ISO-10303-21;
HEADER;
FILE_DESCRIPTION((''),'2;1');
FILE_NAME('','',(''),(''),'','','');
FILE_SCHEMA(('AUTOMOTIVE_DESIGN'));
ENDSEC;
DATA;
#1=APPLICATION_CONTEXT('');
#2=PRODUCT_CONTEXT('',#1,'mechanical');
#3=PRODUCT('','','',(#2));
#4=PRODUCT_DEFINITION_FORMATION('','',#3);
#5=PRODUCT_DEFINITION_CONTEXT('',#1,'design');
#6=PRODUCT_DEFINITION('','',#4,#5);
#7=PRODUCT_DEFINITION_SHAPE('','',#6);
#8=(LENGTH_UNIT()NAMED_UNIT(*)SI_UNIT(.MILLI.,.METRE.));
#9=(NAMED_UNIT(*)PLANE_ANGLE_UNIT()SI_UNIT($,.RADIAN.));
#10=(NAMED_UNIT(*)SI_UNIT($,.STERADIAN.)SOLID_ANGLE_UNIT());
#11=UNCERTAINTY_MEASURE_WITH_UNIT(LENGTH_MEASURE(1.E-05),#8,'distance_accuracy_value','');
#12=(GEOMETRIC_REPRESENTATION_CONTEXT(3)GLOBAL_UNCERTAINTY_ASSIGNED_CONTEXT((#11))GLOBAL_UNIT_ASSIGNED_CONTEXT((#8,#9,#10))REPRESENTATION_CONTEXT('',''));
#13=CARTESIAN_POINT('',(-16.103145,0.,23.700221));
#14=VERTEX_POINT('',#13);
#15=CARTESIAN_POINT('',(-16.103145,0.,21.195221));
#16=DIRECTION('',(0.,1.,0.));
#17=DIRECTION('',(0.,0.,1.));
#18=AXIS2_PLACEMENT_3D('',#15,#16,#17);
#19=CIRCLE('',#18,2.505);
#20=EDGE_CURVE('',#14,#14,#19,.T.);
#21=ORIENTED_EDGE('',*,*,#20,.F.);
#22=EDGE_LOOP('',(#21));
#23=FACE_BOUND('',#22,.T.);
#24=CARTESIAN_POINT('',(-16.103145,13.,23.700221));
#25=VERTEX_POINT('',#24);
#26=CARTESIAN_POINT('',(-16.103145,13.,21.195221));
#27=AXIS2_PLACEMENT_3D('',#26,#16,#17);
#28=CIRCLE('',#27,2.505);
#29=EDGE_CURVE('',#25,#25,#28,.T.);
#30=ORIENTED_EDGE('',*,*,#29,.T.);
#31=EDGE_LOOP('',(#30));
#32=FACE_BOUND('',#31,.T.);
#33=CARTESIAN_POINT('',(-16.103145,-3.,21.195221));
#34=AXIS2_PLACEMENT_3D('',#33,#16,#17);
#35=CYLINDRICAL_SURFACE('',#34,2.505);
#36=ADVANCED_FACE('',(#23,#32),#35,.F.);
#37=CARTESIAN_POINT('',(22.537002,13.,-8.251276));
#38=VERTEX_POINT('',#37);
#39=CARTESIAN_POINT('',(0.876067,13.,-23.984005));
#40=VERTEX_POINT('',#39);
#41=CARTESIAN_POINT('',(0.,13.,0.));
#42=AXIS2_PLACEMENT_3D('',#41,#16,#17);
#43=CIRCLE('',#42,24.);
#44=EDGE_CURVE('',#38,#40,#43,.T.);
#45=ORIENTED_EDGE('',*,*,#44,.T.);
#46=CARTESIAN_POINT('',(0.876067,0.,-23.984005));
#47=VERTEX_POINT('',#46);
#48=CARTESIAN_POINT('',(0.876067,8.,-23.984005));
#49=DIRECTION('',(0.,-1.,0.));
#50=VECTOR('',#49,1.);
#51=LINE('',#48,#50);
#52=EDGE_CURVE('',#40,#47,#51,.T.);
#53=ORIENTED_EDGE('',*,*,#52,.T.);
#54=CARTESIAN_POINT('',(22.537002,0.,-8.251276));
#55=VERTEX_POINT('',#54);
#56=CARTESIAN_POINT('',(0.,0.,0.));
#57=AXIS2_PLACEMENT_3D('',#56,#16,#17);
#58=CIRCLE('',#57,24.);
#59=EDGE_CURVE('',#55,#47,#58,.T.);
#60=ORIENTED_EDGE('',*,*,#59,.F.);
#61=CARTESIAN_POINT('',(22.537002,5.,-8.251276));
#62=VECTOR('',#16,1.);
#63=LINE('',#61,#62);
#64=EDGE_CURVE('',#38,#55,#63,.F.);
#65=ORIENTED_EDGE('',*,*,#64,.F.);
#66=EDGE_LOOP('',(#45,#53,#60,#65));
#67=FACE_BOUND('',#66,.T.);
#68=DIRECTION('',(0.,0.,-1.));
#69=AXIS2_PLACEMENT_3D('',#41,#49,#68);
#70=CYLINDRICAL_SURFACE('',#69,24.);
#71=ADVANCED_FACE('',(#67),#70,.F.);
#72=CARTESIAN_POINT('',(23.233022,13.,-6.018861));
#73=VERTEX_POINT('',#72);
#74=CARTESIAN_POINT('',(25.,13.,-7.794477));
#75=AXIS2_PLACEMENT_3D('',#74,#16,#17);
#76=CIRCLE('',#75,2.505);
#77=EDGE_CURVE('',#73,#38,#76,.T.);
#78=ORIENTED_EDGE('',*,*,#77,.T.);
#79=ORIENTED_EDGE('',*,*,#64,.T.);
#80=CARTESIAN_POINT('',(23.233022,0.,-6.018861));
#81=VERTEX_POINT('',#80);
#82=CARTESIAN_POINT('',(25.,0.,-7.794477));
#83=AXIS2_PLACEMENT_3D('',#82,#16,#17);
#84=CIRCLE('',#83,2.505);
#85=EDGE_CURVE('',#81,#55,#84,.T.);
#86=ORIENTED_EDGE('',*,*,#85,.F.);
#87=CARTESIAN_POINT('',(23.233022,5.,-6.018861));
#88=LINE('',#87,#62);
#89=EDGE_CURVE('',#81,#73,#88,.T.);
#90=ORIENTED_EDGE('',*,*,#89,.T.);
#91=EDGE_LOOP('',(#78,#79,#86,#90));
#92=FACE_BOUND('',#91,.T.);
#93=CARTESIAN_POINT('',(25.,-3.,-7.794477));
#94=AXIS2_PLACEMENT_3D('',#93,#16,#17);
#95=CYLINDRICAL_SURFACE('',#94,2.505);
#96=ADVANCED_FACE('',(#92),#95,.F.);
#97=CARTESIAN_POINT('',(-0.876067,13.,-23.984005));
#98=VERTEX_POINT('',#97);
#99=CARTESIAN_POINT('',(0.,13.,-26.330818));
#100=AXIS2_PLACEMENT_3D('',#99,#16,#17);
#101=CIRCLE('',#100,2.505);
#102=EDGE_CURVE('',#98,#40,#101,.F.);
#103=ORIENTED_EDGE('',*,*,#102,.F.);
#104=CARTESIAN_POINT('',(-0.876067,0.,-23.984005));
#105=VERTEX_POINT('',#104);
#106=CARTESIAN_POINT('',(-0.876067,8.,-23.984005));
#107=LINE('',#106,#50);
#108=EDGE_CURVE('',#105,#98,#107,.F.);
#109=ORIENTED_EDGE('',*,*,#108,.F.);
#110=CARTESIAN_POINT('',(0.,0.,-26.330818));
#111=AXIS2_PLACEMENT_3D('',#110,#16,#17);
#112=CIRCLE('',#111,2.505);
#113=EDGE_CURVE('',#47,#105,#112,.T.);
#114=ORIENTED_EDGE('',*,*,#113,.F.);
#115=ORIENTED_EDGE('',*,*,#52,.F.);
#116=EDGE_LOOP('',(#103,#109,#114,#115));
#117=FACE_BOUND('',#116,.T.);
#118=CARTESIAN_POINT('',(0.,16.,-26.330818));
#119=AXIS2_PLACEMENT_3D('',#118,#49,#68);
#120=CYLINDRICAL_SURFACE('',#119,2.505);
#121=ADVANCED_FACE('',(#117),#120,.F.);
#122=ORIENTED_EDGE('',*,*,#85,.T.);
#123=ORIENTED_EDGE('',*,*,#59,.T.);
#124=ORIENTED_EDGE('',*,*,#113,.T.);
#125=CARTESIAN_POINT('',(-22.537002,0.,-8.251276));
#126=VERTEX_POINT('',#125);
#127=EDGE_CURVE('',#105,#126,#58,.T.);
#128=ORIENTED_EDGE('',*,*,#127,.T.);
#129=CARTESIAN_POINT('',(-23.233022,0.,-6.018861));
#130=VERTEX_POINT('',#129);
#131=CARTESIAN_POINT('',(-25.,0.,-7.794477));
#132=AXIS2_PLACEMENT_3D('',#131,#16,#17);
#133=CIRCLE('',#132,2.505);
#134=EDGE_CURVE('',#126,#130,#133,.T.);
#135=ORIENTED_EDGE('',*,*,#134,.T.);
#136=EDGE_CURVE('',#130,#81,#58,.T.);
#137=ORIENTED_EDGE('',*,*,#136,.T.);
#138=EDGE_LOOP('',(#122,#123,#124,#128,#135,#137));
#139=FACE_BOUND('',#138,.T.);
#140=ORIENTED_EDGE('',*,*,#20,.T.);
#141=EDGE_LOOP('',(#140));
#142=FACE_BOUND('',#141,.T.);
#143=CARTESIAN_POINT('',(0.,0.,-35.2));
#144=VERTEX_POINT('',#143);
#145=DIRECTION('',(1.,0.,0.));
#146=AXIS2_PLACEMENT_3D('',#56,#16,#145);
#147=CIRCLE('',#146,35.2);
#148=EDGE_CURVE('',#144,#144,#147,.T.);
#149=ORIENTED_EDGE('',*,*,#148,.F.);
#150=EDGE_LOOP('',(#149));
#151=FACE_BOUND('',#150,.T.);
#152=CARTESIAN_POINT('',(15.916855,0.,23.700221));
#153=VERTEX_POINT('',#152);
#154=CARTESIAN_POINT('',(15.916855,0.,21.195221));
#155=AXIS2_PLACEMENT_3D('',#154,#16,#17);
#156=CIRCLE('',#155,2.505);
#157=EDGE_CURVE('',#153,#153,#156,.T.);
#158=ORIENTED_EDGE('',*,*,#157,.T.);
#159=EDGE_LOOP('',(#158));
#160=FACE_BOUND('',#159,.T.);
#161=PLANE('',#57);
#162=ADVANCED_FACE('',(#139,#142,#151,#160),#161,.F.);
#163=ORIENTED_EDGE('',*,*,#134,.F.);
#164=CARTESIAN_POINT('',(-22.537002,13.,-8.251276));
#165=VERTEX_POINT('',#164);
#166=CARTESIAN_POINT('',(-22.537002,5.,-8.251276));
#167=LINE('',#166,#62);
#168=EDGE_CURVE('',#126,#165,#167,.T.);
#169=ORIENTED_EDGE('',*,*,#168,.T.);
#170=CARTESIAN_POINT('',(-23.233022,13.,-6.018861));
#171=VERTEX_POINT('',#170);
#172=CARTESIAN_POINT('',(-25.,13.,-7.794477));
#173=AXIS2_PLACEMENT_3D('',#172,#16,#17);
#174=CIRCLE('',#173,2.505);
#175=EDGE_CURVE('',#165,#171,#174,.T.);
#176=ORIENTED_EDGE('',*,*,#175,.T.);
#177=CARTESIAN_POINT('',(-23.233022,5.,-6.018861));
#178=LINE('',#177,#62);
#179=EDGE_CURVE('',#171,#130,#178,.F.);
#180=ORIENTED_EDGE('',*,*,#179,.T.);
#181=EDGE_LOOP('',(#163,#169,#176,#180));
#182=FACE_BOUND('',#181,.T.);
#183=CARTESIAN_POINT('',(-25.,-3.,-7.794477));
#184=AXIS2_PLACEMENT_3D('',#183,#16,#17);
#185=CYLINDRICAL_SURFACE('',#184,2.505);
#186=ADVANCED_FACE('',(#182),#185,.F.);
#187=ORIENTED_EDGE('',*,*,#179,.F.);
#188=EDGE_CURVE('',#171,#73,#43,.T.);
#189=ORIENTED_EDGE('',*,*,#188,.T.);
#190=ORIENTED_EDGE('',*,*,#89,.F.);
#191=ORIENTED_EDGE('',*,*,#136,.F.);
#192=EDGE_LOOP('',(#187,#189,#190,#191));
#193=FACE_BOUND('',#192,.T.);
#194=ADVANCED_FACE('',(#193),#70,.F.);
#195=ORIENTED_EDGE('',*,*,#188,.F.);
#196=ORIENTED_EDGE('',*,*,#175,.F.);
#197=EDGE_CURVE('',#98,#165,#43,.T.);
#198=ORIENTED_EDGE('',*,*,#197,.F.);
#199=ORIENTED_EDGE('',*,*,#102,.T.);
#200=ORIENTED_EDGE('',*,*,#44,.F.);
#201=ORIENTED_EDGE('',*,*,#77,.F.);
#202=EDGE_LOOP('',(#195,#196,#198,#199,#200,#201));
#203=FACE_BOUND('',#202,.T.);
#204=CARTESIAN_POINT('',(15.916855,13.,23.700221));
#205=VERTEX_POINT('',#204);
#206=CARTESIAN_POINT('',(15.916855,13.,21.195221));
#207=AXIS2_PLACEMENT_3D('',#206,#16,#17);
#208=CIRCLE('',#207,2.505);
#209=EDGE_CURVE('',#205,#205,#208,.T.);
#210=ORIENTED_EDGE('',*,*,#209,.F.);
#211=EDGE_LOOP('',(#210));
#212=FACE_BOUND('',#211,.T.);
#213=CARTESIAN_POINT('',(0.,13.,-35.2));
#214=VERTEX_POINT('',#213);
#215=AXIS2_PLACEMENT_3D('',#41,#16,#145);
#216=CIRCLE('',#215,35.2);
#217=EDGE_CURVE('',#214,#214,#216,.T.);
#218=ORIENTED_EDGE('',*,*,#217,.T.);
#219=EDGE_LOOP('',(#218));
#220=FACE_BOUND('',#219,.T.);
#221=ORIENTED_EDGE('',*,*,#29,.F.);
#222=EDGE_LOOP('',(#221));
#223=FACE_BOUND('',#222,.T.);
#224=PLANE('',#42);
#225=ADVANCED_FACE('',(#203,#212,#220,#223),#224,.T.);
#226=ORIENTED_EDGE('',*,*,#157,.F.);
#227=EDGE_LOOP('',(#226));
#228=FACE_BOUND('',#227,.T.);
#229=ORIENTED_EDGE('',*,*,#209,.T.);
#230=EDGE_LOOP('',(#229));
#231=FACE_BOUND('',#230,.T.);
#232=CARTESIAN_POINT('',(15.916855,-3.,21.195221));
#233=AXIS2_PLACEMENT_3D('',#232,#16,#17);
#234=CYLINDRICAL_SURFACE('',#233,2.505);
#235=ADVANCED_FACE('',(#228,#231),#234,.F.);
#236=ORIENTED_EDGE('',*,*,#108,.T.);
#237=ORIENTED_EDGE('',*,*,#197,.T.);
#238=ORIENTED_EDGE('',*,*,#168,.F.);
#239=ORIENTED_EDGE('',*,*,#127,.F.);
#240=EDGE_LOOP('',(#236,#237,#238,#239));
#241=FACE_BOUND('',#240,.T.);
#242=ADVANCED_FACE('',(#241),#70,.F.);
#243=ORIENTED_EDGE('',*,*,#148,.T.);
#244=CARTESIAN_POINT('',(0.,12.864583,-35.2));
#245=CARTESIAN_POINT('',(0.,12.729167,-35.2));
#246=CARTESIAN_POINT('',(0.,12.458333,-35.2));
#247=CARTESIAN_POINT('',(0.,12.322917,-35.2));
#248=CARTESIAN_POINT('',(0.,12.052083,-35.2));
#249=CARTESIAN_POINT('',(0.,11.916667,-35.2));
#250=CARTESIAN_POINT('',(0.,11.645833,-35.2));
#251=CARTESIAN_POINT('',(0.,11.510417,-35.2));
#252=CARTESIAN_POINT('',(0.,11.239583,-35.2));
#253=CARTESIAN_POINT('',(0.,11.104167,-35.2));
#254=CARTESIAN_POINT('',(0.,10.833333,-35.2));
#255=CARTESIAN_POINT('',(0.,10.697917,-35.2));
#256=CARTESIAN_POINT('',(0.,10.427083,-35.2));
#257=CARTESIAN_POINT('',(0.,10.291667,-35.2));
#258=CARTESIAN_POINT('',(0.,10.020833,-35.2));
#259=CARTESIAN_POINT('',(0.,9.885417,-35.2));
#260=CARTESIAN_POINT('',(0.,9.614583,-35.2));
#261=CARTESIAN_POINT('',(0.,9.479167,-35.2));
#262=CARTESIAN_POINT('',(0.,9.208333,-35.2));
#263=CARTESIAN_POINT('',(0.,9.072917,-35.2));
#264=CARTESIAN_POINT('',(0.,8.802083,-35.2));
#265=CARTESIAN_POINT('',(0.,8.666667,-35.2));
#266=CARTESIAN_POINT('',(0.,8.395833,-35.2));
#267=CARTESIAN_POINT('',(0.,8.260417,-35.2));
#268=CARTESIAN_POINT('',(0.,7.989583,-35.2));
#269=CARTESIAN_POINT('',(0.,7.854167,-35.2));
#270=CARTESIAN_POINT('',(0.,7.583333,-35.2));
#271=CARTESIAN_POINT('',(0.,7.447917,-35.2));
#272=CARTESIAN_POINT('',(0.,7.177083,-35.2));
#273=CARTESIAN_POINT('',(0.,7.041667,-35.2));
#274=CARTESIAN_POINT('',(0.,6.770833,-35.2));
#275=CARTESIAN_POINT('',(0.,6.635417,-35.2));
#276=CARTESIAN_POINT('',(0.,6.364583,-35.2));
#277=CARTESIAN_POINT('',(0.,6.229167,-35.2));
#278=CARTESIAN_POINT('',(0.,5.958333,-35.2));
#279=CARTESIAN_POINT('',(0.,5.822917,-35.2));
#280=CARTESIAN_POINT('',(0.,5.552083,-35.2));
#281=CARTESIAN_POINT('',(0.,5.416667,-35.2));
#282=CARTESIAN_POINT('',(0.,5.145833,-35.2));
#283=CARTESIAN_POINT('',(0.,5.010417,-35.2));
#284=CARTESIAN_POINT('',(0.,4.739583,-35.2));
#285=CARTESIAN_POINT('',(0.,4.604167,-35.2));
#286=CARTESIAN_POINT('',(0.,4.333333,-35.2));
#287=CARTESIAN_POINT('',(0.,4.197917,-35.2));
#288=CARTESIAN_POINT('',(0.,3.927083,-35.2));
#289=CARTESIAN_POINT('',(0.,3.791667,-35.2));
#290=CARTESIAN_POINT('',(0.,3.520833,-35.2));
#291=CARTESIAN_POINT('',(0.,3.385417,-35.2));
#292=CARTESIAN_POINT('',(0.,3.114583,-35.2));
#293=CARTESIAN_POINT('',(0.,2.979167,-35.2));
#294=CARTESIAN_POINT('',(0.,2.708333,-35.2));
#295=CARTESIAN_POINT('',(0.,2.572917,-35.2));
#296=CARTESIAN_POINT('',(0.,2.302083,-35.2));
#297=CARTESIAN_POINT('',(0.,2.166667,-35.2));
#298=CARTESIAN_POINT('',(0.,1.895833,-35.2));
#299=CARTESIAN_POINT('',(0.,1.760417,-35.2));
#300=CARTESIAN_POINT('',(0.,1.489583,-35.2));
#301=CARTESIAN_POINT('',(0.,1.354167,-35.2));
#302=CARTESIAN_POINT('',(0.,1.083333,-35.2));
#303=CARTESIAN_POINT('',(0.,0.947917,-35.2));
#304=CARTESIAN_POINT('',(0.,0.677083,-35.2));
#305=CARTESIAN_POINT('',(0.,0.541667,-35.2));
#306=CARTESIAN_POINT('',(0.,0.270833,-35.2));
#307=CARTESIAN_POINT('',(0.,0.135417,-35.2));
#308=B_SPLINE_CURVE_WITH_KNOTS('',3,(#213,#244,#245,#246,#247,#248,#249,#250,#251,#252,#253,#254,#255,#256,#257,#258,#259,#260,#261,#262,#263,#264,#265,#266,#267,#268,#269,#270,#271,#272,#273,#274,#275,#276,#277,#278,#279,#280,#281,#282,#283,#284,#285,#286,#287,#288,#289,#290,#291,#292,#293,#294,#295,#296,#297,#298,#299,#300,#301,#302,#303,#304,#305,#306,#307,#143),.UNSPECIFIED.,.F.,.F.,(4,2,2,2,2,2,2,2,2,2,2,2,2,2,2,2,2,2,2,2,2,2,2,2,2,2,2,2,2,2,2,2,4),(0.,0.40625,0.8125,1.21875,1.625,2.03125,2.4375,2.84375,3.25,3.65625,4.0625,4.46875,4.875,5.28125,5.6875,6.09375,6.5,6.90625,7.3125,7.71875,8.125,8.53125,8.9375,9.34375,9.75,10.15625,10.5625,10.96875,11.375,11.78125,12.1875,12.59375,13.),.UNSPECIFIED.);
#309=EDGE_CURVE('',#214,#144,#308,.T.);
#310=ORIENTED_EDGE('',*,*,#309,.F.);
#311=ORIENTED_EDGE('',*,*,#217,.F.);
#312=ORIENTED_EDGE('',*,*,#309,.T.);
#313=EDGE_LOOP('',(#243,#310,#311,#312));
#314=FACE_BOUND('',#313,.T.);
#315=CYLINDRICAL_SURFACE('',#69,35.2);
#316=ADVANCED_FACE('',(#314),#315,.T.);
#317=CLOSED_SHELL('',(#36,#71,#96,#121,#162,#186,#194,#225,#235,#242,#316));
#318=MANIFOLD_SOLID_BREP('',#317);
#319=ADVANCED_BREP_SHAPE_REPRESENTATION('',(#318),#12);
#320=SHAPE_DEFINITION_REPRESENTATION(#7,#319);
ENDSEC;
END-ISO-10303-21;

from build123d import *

# Parameters (mm, degrees)
SKETCH_1_R          = 35.2
SKETCH_1_R_2        = 24
EXTRUDE_1_DEPTH     = 13
SKETCH_2_R          = 2.505
CUT_EXTRUDE_1_DEPTH = 16
SKETCH_11_R         = 2.505
CUT_EXTRUDE_3_DEPTH = 16
SKETCH_12_R         = 2.505
CUT_EXTRUDE_4_DEPTH = 16


with BuildPart() as part:
    # 草圖1 → 伸長-薄件1 (new body)
    with BuildSketch(Plane(origin=(0, 0, 0), x_dir=(1, 0, 0), z_dir=(0, 1, 0))):
        Circle(SKETCH_1_R)
        Circle(SKETCH_1_R_2, mode=Mode.SUBTRACT)
    extrude(amount=EXTRUDE_1_DEPTH)

    # 草圖2 → 除料-伸長1 (cut)
    with BuildSketch(Plane(origin=(0, 0, 0), x_dir=(1, 0, 0), z_dir=(0, 1, 0))):
        with Locations((0, 26.330818465)):
            Circle(SKETCH_2_R)
    extrude(amount=CUT_EXTRUDE_1_DEPTH, mode=Mode.SUBTRACT)

    # 草圖11 → 除料-伸長3 (cut)
    with BuildSketch(Plane(origin=(0, 13, 0), x_dir=(1, 0, 0), z_dir=(0, 1, 0))):
        with Locations(Location((-16.103145177, -21.195220814, 0), (0, 0, 270))):
            Circle(SKETCH_11_R)
        with Locations(Location((15.916854823, -21.195220814, 0), (0, 0, 270))):
            Circle(SKETCH_11_R)
    extrude(amount=-CUT_EXTRUDE_3_DEPTH, mode=Mode.SUBTRACT)

    # 草圖12 → 除料-伸長4 (cut)
    with BuildSketch(Plane(origin=(0, 13, 0), x_dir=(1, 0, 0), z_dir=(0, 1, 0))):
        with Locations((-24.999999999, 7.794477134)):
            Circle(SKETCH_12_R)
        with Locations((25.000000001, 7.794477134)):
            Circle(SKETCH_12_R)
    extrude(amount=-CUT_EXTRUDE_4_DEPTH, mode=Mode.SUBTRACT)


solid = part.part
